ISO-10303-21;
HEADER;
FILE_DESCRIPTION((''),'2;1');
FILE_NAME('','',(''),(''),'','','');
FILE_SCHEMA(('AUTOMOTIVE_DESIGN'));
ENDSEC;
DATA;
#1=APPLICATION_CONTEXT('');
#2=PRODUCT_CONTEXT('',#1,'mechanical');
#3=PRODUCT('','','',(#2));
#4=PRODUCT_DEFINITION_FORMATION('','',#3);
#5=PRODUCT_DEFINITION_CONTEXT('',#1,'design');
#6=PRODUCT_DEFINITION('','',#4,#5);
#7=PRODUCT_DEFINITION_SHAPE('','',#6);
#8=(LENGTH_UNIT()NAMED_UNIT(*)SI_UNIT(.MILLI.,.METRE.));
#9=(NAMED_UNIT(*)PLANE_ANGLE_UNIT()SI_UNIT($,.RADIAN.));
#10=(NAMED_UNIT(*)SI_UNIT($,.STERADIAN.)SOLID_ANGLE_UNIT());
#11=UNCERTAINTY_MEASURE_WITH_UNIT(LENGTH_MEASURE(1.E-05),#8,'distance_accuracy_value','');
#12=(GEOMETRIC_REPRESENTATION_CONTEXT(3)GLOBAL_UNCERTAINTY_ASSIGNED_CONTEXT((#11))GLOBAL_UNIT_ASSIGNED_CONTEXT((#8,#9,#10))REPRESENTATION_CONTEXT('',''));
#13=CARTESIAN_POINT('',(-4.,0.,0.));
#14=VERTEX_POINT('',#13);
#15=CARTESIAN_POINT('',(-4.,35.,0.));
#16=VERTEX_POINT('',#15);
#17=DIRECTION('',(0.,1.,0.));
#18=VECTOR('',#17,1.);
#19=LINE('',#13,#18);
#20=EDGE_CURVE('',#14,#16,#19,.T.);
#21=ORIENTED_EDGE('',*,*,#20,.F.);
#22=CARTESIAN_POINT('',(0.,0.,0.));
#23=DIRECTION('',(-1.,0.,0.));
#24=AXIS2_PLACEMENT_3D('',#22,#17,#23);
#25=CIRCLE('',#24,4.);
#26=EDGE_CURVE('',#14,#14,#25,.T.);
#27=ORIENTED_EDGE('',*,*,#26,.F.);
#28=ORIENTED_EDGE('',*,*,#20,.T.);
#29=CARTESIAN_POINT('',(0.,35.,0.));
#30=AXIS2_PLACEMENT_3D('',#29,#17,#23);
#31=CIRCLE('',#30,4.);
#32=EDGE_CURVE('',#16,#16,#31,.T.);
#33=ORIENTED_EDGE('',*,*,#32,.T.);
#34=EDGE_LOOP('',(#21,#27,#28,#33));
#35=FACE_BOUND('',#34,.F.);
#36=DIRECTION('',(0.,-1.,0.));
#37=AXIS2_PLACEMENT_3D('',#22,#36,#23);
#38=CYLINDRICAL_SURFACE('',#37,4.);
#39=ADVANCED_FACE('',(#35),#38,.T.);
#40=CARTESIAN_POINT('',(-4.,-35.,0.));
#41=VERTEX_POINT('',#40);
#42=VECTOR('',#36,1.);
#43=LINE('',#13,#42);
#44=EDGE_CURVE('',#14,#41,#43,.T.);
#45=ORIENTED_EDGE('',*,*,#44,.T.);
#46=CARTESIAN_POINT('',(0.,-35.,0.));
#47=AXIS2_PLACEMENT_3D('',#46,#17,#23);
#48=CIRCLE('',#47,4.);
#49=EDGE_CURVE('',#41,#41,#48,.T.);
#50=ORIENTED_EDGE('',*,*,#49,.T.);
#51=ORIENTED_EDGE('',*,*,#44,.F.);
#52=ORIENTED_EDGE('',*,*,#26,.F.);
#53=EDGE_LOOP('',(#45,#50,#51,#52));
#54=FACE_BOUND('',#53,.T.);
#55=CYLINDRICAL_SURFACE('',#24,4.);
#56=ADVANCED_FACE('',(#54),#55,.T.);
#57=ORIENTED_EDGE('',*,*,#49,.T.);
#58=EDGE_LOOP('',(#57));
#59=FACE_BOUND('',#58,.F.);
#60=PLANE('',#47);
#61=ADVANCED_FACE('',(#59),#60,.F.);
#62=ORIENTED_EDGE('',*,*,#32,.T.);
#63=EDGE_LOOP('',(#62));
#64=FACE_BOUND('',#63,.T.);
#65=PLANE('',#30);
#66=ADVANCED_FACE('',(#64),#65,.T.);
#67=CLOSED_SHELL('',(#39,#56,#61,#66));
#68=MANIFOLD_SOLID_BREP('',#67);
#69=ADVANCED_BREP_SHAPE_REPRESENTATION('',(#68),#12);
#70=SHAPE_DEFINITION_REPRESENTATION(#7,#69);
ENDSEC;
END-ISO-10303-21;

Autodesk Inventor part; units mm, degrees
ref_plane "YZ Plane" through (0, 0, 0) normal (1, 0, 0) x (0, 1, 0)
ref_plane "XZ Plane" through (0, 0, 0) normal (0, 1, 0) x (-1, 0, 0)
ref_plane "XY Plane" through (0, 0, 0) normal (0, 0, 1) x (1, 0, 0)
sketch "Sketch1" plane through (0, 0, 0) normal (0, 1, 0) x (-1, 0, 0)
  circle A0 centre (0, 0) radius 4
  dimension "d0" = 8
extrude "Extrusion1" add sketch "Sketch1" along normal mid plane 70
properties part number "eje8x70mm" material "Steel"
